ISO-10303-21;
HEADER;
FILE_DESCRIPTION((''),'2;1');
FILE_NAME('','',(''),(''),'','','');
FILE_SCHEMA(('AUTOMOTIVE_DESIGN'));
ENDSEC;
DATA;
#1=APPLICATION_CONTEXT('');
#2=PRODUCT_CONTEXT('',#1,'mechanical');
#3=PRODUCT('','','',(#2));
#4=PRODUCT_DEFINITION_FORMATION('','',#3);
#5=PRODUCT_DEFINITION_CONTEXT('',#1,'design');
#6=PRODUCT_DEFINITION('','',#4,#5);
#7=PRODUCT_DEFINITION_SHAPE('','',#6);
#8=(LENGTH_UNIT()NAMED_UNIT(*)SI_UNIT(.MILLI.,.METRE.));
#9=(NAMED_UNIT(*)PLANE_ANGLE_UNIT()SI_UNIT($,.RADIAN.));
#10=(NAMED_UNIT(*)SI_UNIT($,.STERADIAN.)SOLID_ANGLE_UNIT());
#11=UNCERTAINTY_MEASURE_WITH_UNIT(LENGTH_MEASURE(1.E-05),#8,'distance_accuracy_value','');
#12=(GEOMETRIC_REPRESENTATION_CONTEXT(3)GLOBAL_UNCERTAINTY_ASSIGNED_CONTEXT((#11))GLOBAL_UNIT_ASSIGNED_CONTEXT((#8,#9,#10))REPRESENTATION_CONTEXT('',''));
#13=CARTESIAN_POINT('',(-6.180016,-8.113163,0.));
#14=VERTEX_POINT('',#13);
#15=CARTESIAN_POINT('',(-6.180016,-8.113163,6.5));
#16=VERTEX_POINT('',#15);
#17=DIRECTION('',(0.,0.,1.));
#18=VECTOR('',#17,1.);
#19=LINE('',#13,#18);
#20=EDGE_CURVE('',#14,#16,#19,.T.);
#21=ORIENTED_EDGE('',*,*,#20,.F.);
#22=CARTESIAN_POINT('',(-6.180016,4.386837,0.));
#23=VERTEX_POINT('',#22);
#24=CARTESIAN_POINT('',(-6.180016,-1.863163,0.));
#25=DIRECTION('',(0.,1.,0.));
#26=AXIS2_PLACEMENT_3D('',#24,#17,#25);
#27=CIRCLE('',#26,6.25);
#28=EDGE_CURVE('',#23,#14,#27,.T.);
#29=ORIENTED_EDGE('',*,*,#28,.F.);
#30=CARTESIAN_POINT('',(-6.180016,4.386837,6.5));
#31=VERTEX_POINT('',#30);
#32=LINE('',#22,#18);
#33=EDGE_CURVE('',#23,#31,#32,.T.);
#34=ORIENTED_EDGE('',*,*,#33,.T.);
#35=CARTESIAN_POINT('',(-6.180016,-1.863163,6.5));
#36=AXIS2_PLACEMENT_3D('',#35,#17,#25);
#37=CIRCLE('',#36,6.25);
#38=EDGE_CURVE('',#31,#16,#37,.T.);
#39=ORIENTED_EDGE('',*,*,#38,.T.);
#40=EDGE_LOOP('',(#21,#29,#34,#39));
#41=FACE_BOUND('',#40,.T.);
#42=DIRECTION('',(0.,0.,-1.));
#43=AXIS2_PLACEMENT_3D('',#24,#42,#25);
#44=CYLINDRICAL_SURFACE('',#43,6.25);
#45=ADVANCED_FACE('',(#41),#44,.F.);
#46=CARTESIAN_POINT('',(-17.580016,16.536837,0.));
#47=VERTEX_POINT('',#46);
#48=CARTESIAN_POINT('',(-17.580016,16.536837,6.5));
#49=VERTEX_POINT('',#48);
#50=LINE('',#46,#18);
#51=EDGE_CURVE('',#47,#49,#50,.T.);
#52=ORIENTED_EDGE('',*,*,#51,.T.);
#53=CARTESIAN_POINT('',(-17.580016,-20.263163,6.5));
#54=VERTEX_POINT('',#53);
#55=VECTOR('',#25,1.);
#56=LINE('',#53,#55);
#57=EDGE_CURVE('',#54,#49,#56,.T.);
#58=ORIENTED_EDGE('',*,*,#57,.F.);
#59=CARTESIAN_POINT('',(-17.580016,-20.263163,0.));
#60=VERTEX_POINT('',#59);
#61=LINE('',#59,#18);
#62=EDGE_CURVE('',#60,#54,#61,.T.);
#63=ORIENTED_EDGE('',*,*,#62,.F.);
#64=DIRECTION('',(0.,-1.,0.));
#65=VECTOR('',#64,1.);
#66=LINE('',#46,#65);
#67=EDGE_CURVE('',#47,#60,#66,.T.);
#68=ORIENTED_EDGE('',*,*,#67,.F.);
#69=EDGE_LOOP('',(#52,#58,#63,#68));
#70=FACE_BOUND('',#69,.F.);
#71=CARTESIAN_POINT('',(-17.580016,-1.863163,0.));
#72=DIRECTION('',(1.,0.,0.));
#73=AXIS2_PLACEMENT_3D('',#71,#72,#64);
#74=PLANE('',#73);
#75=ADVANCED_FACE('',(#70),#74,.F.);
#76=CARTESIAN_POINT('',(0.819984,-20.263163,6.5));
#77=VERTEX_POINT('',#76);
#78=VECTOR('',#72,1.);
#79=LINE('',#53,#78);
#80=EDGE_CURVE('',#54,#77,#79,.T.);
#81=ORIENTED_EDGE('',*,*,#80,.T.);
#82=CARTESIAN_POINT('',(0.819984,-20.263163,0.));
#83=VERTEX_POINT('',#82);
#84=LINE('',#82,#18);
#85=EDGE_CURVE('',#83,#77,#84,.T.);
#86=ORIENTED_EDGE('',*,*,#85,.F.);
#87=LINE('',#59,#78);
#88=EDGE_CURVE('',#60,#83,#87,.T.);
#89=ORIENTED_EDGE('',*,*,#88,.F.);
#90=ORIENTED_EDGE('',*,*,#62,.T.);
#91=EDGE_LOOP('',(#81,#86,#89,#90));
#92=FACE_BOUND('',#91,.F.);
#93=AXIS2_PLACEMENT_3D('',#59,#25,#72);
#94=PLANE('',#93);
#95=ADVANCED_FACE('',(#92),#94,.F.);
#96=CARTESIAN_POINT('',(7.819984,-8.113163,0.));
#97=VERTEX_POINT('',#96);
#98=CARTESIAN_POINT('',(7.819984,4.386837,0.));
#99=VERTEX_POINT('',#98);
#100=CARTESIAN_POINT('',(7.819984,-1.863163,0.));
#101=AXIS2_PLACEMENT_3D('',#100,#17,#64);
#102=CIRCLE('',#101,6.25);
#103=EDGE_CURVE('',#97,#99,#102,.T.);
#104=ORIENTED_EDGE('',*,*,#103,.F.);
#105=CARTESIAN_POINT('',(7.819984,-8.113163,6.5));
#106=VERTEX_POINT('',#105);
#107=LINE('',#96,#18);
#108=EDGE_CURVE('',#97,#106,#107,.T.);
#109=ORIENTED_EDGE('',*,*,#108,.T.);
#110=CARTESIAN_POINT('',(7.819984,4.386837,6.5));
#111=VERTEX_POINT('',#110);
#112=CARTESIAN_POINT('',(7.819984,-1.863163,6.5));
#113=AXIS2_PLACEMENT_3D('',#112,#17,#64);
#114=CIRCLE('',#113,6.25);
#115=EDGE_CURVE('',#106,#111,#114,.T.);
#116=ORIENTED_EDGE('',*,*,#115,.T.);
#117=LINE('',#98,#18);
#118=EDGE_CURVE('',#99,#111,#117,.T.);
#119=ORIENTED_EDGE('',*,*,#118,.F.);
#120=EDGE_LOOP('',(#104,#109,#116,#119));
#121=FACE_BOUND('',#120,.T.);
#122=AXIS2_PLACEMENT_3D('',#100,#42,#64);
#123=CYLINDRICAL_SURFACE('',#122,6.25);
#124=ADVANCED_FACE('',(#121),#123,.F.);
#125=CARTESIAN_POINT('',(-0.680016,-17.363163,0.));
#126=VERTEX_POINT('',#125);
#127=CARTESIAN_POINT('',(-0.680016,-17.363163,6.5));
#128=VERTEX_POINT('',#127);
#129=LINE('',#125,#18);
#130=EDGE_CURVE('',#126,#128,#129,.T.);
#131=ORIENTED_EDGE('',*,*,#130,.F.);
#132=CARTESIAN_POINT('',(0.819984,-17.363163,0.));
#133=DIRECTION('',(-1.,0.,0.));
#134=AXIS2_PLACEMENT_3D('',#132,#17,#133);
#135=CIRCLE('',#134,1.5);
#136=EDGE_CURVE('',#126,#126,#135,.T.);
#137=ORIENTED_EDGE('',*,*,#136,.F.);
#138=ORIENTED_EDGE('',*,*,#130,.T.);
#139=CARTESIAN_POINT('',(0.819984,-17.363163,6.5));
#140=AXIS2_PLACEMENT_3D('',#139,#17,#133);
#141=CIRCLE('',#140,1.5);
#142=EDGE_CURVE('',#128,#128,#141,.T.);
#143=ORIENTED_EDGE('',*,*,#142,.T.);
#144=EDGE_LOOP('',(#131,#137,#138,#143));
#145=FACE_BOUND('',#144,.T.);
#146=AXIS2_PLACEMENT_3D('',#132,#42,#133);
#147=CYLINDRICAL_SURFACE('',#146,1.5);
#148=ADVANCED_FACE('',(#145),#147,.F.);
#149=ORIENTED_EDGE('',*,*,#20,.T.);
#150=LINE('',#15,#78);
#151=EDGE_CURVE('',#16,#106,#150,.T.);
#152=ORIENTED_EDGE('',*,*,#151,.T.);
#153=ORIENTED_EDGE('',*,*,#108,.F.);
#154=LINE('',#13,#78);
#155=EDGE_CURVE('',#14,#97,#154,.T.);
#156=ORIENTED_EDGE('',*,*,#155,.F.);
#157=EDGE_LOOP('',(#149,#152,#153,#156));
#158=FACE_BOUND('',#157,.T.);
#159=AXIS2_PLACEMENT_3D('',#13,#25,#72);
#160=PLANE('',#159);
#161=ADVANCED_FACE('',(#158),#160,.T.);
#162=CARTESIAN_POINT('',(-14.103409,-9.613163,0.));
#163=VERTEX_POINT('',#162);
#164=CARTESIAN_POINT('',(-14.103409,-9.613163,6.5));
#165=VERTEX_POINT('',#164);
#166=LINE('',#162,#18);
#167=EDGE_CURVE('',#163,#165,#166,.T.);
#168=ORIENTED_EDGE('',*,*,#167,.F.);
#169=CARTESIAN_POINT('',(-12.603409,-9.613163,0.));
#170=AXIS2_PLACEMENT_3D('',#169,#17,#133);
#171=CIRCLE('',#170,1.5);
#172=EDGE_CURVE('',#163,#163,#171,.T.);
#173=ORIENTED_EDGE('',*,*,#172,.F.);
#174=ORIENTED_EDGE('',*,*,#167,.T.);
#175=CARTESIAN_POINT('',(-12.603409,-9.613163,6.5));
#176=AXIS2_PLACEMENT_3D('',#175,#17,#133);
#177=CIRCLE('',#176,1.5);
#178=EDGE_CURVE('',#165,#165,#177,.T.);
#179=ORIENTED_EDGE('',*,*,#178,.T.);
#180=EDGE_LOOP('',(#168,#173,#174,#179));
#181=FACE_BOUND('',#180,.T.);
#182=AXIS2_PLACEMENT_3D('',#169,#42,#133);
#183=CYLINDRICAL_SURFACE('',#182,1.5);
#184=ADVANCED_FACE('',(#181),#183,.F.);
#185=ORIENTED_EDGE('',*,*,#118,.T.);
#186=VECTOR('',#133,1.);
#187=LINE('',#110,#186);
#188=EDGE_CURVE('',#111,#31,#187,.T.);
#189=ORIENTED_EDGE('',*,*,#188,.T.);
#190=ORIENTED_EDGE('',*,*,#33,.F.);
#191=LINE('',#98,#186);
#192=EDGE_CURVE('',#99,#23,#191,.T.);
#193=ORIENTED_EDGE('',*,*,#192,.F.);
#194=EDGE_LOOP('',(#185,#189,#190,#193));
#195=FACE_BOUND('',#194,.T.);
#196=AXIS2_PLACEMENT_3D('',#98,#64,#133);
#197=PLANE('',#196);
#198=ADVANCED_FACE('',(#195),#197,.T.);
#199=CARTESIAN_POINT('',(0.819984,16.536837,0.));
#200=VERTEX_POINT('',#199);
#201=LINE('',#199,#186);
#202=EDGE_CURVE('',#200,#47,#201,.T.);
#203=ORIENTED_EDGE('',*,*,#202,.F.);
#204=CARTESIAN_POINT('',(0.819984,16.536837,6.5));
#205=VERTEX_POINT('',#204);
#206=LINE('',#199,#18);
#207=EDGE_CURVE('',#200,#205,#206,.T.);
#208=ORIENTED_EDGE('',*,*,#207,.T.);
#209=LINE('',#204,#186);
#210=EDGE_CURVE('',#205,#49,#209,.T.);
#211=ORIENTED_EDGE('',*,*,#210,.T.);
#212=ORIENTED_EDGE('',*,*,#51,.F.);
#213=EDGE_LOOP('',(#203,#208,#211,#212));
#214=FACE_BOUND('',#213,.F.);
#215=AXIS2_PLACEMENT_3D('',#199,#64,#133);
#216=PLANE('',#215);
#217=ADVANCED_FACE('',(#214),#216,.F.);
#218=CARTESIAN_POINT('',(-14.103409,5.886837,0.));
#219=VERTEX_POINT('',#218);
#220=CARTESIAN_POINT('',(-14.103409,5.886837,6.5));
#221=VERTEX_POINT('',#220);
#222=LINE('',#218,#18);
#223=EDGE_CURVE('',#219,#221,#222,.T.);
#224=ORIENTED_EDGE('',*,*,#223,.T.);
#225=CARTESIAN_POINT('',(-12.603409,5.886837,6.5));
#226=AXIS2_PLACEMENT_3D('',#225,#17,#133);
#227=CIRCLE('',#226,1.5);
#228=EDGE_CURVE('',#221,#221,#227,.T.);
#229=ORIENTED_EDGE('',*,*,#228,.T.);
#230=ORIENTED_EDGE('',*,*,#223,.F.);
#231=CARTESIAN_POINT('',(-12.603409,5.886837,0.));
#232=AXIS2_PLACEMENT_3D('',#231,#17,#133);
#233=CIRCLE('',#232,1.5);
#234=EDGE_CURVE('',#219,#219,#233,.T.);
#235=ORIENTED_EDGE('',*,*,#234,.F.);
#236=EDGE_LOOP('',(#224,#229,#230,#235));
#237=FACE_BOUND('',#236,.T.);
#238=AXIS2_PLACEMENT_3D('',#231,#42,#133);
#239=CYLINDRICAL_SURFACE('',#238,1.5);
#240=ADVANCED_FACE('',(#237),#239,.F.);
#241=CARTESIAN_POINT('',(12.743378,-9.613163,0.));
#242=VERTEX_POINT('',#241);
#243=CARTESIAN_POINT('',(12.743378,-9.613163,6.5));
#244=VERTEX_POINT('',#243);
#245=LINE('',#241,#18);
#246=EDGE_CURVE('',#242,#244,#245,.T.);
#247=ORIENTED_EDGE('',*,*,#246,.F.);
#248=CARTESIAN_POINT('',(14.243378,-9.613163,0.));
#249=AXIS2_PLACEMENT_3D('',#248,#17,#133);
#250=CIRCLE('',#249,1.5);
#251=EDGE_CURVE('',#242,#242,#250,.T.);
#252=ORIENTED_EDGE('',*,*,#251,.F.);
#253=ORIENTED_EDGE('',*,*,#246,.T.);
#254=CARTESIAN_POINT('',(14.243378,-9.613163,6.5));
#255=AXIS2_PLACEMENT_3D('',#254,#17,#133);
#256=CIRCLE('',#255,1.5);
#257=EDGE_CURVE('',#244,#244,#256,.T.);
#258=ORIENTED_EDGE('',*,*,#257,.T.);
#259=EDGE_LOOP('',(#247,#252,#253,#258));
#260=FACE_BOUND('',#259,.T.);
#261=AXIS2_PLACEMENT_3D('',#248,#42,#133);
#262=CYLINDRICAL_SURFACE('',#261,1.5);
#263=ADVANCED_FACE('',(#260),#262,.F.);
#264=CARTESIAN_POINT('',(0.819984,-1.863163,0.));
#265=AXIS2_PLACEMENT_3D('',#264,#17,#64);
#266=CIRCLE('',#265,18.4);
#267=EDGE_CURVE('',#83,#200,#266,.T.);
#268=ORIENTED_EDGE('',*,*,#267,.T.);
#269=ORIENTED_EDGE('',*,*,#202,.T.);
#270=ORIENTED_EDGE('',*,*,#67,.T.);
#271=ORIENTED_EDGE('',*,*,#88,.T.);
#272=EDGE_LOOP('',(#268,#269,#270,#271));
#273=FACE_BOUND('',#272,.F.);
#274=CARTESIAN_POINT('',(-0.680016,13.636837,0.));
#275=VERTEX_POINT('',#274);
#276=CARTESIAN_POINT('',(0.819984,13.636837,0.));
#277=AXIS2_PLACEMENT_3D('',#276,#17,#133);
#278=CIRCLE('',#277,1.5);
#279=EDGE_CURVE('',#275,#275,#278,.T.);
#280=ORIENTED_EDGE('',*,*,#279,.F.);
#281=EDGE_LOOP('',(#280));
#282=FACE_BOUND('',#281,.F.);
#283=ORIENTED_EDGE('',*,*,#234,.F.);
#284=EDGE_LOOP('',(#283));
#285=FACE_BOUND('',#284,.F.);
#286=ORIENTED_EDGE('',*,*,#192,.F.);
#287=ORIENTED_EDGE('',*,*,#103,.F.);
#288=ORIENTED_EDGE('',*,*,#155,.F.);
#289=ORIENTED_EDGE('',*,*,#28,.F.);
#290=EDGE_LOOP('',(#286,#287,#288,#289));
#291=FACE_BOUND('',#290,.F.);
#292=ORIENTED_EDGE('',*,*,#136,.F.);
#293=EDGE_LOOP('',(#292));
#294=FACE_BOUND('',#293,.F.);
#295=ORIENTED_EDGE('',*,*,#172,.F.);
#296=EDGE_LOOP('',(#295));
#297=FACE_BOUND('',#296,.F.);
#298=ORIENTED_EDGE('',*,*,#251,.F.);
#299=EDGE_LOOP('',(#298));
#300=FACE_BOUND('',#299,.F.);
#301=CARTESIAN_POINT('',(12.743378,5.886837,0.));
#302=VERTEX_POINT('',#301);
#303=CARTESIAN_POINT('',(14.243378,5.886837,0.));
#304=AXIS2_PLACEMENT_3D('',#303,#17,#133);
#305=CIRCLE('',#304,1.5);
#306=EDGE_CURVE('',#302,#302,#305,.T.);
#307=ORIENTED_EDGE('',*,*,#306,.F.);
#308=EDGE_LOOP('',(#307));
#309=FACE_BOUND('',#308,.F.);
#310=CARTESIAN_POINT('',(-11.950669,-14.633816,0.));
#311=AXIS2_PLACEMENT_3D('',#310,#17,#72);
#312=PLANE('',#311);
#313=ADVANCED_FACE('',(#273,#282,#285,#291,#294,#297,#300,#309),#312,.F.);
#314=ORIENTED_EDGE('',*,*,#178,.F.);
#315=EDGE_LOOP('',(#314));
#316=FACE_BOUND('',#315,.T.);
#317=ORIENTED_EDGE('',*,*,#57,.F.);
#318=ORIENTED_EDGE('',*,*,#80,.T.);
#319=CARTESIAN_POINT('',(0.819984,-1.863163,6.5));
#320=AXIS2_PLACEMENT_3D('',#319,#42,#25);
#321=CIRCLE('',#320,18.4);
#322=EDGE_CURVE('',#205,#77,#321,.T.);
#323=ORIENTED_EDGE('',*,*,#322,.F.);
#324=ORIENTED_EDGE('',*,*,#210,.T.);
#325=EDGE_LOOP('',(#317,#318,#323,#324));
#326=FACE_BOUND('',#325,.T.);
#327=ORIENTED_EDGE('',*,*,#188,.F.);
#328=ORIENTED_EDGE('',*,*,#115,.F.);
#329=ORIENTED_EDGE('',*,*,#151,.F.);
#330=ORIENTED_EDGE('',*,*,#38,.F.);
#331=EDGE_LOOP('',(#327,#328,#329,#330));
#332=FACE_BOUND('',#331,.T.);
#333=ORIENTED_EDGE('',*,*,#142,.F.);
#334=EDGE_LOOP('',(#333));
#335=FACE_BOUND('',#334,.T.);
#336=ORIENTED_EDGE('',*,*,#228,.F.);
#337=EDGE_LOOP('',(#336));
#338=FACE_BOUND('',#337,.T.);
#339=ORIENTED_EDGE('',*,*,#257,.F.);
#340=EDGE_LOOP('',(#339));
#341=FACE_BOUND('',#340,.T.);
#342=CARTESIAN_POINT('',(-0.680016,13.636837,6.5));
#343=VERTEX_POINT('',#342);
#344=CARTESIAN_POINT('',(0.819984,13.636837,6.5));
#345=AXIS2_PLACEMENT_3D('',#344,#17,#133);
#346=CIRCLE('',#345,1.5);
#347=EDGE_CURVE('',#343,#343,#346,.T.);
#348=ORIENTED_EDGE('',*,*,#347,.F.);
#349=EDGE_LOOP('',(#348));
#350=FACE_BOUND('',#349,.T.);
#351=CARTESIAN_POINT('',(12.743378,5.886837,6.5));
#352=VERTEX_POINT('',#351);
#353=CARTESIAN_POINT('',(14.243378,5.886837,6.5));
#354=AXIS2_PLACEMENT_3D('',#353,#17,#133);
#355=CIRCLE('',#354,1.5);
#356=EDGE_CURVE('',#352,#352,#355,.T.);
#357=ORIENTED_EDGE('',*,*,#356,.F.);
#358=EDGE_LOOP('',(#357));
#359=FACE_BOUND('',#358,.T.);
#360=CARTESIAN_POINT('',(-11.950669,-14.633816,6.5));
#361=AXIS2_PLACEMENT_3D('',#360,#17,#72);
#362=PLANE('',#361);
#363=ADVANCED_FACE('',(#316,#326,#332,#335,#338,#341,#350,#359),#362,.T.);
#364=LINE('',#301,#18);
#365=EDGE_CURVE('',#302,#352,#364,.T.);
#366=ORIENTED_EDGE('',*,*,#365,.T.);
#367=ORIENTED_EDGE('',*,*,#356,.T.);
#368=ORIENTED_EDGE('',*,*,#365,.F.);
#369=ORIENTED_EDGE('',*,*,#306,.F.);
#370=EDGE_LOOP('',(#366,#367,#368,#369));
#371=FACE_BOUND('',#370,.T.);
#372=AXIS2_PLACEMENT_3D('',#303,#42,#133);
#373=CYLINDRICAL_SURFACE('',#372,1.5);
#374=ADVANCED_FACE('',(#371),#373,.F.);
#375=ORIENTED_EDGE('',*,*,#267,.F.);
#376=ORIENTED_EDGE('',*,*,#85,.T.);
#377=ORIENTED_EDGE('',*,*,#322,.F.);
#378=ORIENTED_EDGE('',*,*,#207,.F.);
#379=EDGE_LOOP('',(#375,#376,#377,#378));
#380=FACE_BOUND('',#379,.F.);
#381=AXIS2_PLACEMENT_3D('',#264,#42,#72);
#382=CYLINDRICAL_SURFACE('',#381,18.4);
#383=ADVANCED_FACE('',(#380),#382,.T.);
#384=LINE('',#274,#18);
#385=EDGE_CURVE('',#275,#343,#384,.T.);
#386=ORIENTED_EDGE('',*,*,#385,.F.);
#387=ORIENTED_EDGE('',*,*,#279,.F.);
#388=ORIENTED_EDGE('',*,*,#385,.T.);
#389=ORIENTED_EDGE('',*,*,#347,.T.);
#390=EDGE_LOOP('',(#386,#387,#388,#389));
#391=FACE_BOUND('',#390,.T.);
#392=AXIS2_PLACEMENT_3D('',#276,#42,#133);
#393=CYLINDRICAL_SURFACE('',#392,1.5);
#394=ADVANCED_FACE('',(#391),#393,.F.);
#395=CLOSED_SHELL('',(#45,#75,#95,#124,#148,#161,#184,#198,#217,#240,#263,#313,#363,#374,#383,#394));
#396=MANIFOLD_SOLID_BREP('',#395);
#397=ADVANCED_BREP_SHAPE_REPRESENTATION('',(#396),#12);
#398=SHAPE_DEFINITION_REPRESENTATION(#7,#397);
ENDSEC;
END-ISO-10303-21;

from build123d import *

# Parameters (mm, degrees)
SKETCH_1_R      = 1.5
EXTRUDE_1_DEPTH = 6.5


with BuildPart() as part:
    # 草图1 → 凸台-拉伸1 (new body)
    with BuildSketch(Plane.XY):
        with BuildLine():
            Line((0.819984335, 16.536837123), (-17.580015665, 16.536837123))
            Line((-17.580015665, 16.536837123), (-17.580015665, -20.263162877))
            Line((-17.580015665, -20.263162877), (0.819984335, -20.263162877))
            ThreePointArc((0.819984335, -20.263162877), (19.219984335, -1.863162877), (0.819984335, 16.536837123))
        make_face()
        with Locations((-12.603409424, -9.613162877)):
            Circle(SKETCH_1_R, mode=Mode.SUBTRACT)
        with Locations((0.819984335, -17.363162877)):
            Circle(SKETCH_1_R, mode=Mode.SUBTRACT)
        with Locations((14.243378094, -9.613162877)):
            Circle(SKETCH_1_R, mode=Mode.SUBTRACT)
        with Locations((-12.603409424, 5.886837123)):
            Circle(SKETCH_1_R, mode=Mode.SUBTRACT)
        with BuildLine():
            ThreePointArc((7.819984335, 4.386837123), (14.069984335, -1.863162877), (7.819984335, -8.113162877))
            Line((7.819984335, -8.113162877), (-6.180015665, -8.113162877))
            ThreePointArc((-6.180015665, -8.113162877), (-12.430015665, -1.863162877), (-6.180015665, 4.386837123))
            Line((-6.180015665, 4.386837123), (7.819984335, 4.386837123))
        make_face(mode=Mode.SUBTRACT)
        with Locations((14.243378094, 5.886837123)):
            Circle(SKETCH_1_R, mode=Mode.SUBTRACT)
        with Locations((0.819984335, 13.636837123)):
            Circle(SKETCH_1_R, mode=Mode.SUBTRACT)
    extrude(amount=EXTRUDE_1_DEPTH)


solid = part.part
